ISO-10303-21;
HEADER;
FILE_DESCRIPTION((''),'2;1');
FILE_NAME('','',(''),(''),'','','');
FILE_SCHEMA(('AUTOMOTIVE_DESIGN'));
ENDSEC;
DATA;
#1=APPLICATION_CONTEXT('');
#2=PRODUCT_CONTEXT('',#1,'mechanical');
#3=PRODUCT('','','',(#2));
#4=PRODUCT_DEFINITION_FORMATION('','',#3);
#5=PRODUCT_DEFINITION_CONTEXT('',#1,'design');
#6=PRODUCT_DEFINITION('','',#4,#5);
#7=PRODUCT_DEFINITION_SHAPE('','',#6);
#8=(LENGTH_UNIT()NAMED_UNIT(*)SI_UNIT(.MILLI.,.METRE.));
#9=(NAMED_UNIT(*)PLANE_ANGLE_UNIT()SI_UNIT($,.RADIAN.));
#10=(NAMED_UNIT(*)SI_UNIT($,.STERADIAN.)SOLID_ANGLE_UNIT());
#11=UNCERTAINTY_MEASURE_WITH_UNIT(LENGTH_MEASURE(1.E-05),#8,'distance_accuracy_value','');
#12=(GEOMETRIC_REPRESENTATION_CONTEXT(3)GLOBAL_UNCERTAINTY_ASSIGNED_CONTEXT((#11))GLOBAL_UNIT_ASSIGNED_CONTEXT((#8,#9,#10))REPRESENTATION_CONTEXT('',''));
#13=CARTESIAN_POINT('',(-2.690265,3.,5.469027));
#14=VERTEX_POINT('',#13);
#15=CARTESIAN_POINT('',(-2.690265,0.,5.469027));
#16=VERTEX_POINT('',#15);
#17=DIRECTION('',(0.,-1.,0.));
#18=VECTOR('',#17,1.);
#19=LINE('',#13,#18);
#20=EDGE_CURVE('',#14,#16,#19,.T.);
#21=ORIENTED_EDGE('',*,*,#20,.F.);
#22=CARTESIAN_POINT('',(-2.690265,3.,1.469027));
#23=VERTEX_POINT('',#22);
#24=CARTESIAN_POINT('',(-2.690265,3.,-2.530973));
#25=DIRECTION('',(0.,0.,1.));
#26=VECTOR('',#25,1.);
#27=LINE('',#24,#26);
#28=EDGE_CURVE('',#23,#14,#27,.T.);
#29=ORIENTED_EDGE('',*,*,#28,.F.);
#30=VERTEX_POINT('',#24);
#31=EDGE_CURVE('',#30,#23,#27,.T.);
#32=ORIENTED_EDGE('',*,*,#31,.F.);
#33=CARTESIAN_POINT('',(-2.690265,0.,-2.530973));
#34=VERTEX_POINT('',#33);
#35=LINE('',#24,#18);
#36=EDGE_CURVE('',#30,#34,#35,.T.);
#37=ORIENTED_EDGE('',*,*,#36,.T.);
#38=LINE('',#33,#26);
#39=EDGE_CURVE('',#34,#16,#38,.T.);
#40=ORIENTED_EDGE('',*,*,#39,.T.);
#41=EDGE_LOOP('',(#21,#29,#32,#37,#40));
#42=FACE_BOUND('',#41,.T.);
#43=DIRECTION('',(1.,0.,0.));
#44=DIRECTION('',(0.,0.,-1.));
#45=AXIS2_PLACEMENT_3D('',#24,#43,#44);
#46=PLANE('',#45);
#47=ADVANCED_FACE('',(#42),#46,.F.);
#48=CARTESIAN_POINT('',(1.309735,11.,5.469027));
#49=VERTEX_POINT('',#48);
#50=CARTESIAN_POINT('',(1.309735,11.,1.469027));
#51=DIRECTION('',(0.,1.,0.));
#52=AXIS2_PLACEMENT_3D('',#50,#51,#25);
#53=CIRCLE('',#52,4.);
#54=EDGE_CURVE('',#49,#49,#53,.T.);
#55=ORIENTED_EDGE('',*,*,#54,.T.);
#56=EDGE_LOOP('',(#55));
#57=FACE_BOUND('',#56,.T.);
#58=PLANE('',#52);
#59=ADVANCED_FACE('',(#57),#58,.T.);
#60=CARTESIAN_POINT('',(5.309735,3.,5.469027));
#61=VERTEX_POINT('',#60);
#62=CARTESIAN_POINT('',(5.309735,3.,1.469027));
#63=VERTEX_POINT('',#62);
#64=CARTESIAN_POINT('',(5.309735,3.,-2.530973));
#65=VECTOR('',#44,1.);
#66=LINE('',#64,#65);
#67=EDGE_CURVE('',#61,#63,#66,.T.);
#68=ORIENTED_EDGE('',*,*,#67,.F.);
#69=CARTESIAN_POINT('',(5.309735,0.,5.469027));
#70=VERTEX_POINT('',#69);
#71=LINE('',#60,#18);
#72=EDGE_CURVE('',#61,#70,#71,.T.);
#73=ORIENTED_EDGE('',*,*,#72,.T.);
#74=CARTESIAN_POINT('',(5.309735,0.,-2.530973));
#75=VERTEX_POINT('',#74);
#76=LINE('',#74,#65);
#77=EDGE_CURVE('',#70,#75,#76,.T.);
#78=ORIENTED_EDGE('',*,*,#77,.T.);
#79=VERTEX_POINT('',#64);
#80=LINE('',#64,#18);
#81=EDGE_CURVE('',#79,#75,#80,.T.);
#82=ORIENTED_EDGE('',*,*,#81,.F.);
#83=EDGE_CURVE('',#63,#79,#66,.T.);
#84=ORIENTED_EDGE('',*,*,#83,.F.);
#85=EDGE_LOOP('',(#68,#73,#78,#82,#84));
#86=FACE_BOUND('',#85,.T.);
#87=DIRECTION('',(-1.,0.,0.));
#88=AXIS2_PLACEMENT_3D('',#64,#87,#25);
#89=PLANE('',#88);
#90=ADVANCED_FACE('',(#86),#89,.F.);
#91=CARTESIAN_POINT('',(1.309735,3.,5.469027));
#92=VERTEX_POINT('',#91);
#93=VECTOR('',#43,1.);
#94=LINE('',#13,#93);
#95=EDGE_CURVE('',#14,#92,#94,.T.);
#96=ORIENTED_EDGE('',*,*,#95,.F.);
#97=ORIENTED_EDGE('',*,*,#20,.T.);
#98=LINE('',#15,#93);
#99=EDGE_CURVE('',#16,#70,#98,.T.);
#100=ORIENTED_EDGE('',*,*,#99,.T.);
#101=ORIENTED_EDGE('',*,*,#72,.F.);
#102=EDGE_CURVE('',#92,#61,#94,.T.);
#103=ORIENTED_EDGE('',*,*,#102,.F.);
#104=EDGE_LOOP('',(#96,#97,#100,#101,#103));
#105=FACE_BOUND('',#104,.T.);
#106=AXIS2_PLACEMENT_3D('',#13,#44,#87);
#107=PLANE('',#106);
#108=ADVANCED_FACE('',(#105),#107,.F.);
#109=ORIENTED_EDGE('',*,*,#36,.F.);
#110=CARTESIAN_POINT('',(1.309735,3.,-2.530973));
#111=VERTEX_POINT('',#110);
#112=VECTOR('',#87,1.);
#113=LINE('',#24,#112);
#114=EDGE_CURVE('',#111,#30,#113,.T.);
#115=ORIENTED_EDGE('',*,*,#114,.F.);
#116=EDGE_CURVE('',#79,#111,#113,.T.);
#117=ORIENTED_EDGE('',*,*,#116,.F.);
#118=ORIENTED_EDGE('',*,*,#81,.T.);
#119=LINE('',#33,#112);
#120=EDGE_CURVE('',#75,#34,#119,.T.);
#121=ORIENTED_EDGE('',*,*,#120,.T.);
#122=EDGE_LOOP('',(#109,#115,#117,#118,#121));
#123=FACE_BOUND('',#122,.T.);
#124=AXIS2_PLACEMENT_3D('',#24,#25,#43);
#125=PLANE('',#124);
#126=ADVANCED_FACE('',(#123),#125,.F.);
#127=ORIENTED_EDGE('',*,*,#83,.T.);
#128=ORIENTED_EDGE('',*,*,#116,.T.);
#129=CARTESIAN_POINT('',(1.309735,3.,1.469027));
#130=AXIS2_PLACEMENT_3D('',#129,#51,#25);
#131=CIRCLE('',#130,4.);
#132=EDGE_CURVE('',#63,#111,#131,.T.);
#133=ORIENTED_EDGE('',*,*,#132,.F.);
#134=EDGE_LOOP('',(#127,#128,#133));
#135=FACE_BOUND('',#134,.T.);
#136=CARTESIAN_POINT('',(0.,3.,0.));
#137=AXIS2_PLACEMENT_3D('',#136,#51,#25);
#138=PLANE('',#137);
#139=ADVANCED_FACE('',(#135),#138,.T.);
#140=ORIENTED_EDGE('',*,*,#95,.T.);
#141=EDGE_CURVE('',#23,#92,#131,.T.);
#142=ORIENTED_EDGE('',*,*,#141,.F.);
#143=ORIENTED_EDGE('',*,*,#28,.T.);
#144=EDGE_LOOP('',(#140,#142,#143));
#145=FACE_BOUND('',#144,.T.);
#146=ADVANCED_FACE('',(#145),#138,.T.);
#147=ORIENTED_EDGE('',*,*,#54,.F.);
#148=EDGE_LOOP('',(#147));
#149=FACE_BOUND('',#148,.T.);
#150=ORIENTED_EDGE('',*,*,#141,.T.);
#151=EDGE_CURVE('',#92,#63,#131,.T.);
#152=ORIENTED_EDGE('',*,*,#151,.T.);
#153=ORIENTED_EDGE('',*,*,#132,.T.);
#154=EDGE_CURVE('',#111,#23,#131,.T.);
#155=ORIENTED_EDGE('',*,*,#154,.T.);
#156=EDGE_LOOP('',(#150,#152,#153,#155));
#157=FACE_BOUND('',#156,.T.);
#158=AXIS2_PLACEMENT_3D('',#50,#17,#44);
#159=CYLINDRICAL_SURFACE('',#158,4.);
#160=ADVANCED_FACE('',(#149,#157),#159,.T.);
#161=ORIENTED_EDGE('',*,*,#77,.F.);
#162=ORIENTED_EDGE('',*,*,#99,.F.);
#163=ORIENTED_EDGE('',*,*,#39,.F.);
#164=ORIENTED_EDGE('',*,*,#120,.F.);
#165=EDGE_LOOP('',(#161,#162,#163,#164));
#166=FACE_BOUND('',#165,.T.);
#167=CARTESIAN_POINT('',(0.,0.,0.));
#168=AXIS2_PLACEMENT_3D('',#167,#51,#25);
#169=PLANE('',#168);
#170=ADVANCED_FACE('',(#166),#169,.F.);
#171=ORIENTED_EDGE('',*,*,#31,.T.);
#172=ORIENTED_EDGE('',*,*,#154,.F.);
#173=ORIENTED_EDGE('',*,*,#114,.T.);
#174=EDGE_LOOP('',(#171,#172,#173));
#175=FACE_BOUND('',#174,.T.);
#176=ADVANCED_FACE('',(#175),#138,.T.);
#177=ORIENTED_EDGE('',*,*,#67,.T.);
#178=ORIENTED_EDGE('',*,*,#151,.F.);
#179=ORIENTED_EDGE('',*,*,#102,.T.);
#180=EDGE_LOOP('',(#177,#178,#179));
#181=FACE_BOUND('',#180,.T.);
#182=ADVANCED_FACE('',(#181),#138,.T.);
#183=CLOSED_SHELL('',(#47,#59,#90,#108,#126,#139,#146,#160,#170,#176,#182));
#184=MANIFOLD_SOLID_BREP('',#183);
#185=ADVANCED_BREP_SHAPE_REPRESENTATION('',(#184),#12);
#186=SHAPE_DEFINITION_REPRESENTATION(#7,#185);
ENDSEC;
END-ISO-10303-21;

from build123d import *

# Parameters (mm, degrees)
SKETCH1_W           = 8
SKETCH1_H           = 8
BOSS_EXTRUDE1_DEPTH = 3
SKETCH2_R           = 4
BOSS_EXTRUDE2_DEPTH = 8


with BuildPart() as part:
    # Sketch1 → Boss-Extrude1 (new body)
    with BuildSketch(Plane(origin=(0, 0, 0), x_dir=(1, 0, 0), z_dir=(0, 1, 0))):
        with Locations((1.309734513, -1.469026549)):
            Rectangle(SKETCH1_W, SKETCH1_H)
    extrude(amount=BOSS_EXTRUDE1_DEPTH)

    # Sketch2 → Boss-Extrude2 (add)
    with BuildSketch(Plane(origin=(0, 3, 0), x_dir=(1, 0, 0), z_dir=(0, 1, 0))):
        with Locations(Location((1.309734513, -1.469026549, 0), (0, 0, 270))):  # turned: the seam where the file's is
            Circle(SKETCH2_R)
    extrude(amount=BOSS_EXTRUDE2_DEPTH)


solid = part.part
